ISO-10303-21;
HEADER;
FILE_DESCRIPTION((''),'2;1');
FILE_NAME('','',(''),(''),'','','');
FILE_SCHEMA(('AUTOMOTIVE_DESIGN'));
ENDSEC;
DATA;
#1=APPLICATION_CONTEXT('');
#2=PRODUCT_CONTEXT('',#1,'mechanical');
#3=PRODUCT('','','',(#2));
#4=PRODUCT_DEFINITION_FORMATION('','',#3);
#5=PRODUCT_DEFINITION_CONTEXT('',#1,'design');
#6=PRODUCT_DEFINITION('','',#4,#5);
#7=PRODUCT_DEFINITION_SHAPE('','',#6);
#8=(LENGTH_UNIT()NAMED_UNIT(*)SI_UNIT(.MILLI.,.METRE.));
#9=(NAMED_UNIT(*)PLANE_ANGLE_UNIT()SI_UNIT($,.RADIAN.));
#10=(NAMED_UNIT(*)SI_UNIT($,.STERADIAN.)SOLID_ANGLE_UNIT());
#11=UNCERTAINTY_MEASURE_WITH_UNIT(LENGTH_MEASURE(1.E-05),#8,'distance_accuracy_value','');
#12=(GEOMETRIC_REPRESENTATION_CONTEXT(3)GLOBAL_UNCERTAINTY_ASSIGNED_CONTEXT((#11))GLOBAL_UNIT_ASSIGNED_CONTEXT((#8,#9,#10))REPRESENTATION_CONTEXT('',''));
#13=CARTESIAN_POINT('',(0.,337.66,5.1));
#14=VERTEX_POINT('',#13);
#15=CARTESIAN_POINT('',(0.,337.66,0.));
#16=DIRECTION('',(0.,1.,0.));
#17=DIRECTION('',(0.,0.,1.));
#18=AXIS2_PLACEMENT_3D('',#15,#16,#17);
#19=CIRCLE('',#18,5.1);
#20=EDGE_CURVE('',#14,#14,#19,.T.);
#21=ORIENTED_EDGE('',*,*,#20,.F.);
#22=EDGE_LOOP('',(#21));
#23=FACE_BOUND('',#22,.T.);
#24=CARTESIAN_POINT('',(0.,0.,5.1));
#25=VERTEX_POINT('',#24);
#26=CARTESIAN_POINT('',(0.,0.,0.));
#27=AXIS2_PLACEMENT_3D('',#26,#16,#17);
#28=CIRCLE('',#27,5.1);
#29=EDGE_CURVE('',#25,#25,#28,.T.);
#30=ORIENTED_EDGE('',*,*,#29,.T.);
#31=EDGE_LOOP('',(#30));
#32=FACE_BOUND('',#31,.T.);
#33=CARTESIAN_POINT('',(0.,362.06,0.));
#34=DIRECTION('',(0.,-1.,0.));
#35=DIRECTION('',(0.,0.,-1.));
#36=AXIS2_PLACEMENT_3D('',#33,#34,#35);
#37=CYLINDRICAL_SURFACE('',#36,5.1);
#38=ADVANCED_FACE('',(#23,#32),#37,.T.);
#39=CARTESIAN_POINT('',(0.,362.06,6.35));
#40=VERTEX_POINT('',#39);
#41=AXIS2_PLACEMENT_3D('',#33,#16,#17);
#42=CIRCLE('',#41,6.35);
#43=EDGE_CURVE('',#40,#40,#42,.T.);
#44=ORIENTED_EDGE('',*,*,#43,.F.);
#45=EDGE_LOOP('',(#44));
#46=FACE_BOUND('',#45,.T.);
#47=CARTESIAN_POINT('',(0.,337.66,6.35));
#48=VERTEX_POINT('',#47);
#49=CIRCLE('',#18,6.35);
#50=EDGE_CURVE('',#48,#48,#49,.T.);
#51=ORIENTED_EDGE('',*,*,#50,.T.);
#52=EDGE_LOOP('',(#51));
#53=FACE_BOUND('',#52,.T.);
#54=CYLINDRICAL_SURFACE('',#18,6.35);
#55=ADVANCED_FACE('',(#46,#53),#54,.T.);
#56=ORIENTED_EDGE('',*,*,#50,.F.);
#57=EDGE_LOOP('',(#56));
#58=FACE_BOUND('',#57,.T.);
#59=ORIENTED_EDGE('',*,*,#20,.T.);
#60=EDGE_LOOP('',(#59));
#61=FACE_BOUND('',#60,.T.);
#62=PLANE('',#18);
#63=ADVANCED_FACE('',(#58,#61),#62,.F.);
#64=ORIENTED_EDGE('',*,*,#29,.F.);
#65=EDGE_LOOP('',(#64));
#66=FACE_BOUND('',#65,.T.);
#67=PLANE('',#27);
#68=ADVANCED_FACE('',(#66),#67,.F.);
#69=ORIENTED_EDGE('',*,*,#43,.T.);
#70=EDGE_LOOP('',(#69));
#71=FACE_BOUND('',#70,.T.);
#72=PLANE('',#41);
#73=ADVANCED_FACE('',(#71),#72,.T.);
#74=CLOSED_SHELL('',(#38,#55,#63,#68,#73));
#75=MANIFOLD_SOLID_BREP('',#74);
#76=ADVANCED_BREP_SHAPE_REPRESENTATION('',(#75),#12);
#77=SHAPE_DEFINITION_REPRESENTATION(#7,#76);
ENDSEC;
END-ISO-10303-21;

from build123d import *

# Parameters (mm, degrees)
SKETCH1_R           = 5.1
BOSS_EXTRUDE1_DEPTH = 362.06
SKETCH2_R           = 6.35
BOSS_EXTRUDE2_DEPTH = 24.4


with BuildPart() as part:
    # Sketch1 → Boss-Extrude1 (new body)
    with BuildSketch(Plane(origin=(0, 0, 0), x_dir=(1, 0, 0), z_dir=(0, 1, 0))):
        Circle(SKETCH1_R)
    extrude(amount=BOSS_EXTRUDE1_DEPTH)

    # Sketch2 → Boss-Extrude2 (add)
    with BuildSketch(Plane(origin=(0, 362.06, 0), x_dir=(1, 0, 0), z_dir=(0, 1, 0))):
        Circle(SKETCH2_R)
    extrude(amount=-BOSS_EXTRUDE2_DEPTH)


solid = part.part
